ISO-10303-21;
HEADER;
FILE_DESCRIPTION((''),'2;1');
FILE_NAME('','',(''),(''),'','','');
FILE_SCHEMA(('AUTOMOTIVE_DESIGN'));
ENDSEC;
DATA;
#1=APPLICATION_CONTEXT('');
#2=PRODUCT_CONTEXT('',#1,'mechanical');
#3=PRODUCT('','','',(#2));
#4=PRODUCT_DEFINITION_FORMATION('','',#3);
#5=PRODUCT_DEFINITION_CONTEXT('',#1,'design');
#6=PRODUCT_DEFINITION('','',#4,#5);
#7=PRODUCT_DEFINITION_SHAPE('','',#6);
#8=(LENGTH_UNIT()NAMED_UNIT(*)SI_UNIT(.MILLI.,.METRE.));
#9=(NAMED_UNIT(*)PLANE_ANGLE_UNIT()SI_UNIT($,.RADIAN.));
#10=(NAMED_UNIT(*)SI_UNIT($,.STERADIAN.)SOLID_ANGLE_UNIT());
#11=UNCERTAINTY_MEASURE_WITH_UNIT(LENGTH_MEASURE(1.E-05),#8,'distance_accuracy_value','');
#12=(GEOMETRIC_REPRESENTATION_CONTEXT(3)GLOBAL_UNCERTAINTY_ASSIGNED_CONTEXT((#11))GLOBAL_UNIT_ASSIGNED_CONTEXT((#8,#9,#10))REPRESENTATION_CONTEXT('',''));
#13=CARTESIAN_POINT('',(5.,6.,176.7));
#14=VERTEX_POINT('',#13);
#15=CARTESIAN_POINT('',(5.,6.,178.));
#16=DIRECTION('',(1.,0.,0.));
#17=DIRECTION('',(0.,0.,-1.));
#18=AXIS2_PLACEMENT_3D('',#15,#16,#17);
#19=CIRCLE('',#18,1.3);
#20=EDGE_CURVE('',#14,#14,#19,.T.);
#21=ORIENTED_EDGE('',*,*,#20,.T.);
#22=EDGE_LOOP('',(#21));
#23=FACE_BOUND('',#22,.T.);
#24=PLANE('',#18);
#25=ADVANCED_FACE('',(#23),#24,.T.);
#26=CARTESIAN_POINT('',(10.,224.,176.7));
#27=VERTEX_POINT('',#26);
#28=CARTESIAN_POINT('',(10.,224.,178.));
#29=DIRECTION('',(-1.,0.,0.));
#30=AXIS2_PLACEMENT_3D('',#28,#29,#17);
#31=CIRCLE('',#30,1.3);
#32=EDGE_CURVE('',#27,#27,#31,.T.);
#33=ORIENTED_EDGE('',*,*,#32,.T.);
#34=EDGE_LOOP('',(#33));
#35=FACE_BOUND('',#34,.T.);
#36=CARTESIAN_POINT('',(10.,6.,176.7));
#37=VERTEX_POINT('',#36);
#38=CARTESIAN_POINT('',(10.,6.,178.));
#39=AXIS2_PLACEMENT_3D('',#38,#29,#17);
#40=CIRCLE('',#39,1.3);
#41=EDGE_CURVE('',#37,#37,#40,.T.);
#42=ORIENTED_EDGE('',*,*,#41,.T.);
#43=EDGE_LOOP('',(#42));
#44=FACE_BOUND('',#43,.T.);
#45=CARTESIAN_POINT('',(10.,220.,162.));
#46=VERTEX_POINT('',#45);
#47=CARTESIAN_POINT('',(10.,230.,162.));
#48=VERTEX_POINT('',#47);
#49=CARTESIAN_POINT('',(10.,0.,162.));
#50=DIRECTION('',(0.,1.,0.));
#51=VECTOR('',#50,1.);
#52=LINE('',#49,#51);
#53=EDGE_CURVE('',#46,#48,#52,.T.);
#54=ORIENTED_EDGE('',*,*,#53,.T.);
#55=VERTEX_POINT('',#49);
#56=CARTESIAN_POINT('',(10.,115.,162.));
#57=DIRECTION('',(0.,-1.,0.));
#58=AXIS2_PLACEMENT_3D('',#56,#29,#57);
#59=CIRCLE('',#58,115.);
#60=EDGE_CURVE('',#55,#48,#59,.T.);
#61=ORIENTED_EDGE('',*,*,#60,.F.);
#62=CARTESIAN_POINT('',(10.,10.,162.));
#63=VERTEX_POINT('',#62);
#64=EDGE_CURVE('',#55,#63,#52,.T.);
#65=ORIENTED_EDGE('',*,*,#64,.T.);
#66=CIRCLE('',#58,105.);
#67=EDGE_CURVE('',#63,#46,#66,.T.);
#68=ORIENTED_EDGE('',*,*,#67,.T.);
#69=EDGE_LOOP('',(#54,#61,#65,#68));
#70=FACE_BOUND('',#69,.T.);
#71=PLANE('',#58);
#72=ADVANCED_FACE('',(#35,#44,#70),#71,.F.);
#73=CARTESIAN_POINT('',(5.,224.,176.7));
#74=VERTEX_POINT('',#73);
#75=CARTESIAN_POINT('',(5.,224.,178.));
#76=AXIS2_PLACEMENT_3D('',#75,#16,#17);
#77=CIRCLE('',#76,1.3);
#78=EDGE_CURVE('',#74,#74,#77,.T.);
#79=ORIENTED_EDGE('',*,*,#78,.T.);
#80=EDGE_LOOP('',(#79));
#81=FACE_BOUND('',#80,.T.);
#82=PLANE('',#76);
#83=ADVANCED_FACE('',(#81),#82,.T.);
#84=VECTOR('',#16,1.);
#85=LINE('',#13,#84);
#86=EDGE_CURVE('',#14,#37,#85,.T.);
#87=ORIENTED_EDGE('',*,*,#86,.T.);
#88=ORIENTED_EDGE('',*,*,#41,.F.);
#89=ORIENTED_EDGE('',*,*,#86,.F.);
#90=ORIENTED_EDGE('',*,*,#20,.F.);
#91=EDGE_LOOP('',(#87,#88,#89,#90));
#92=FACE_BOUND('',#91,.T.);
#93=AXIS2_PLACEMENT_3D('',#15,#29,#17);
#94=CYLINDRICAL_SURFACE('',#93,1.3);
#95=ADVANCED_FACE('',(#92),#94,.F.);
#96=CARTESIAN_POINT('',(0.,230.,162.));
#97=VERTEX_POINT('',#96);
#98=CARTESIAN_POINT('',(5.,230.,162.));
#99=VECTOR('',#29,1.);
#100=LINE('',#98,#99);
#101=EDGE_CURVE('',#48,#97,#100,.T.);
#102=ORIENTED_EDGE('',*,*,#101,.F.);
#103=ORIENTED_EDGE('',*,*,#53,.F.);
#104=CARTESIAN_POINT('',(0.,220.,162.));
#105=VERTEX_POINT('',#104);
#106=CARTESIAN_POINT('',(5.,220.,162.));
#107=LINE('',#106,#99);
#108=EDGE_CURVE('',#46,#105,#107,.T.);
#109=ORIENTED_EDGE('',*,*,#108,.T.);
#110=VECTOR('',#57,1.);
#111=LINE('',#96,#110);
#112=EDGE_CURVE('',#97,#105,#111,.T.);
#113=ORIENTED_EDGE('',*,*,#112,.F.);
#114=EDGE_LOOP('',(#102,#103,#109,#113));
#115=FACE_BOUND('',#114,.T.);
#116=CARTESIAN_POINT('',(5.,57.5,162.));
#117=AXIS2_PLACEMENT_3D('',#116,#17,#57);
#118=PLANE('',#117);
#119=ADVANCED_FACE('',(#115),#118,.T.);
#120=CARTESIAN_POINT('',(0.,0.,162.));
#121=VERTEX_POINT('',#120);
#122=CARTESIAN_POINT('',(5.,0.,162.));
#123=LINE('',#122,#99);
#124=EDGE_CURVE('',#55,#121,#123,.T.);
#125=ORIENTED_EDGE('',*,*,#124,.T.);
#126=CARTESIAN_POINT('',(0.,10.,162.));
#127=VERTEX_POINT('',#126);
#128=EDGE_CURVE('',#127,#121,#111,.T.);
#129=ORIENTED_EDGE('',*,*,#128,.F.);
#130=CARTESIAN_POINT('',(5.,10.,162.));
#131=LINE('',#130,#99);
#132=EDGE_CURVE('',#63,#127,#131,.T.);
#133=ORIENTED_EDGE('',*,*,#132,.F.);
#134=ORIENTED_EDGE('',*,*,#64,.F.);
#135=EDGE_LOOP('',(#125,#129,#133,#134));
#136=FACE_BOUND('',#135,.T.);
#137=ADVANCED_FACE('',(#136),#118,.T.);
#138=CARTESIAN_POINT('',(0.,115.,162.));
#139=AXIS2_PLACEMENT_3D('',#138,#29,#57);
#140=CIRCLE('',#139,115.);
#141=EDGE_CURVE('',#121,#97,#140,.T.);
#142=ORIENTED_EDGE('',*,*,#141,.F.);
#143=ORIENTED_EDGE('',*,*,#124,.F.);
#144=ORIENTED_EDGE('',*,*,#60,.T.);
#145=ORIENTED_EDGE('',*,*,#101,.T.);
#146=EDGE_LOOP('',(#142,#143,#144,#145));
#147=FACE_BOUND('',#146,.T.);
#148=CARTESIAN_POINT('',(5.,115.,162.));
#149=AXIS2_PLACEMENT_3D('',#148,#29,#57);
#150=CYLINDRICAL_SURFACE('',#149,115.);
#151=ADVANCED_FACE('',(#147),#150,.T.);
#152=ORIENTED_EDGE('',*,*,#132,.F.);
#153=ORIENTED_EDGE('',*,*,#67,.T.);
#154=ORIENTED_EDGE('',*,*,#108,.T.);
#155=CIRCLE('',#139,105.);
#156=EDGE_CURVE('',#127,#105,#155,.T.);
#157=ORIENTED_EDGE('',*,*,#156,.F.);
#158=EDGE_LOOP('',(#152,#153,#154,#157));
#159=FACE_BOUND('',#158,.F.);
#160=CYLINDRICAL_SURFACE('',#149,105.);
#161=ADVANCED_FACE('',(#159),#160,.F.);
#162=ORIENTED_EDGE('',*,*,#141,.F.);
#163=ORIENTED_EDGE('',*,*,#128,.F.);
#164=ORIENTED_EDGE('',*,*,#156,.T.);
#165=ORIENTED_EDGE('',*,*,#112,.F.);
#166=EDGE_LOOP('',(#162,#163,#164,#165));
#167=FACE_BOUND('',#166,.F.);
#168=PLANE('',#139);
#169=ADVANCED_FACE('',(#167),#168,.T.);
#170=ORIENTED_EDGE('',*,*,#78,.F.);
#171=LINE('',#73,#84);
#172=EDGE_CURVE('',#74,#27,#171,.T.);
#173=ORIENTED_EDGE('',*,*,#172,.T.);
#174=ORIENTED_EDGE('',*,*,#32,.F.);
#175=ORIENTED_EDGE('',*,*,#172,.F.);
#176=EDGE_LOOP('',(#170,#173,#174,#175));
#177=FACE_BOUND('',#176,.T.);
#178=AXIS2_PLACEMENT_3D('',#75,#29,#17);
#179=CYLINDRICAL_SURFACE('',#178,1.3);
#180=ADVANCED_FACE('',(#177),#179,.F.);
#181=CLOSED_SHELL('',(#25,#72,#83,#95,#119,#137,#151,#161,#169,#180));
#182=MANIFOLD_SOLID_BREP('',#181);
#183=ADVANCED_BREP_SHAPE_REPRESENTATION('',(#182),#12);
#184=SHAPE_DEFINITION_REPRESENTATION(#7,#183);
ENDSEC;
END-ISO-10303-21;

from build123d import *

# Parameters (mm, degrees)
CYLINDER071_R     = 1.3
CYLINDER071_DEPTH = 331
CYLINDER062_R     = 1.3
CYLINDER062_DEPTH = 331
CYLINDER052_W     = 105
CYLINDER052_H     = 10
CYLINDER052_ANGLE = 180
CYLINDER051_W     = 115
CYLINDER051_H     = 10
CYLINDER051_ANGLE = 180


with BuildPart() as cilindro071:
    # Cylinder071 → Cylinder071 (new body)
    with BuildSketch(Plane(origin=(5, 224, 178), x_dir=(0, 0, -1), z_dir=(1, 0, 0))):
        Circle(CYLINDER071_R)
    extrude(amount=CYLINDER071_DEPTH)


with BuildPart() as cilindro062:
    # Cylinder062 → Cylinder062 (new body)
    with BuildSketch(Plane(origin=(5, 6, 178), x_dir=(0, 0, -1), z_dir=(1, 0, 0))):
        Circle(CYLINDER062_R)
    extrude(amount=CYLINDER062_DEPTH)


with BuildPart() as cilindro052:
    # Cylinder052 → Cylinder052 (revolve)
    with BuildSketch(Plane(origin=(-3, 115, 171), x_dir=(0, -1, 0), z_dir=(0, 0, -1))):
        with Locations((52.5, 5)):
            Rectangle(CYLINDER052_W, CYLINDER052_H)
    revolve(axis=Axis((-3, 115, 171), (-1, 0, 0)), revolution_arc=CYLINDER052_ANGLE)


with BuildPart() as cut080:
    # Cylinder051 → Cylinder051 (revolve)
    with BuildSketch(Plane(origin=(-3, 115, 171), x_dir=(0, -1, 0), z_dir=(0, 0, -1))):
        with Locations((57.5, 5)):
            Rectangle(CYLINDER051_W, CYLINDER051_H)
    revolve(axis=Axis((-3, 115, 171), (-1, 0, 0)), revolution_arc=CYLINDER051_ANGLE)

    # Cut066: cut Cilindro052
    add(cilindro052.part, mode=Mode.SUBTRACT)


with BuildPart() as cut080_1:
    # Cut066 placement: moved
    add(cut080.part.moved(Location((13, 0, -9))))

    # Cut073: cut Cilindro062
    add(cilindro062.part, mode=Mode.SUBTRACT)

    # Cut080: cut Cilindro071
    add(cilindro071.part, mode=Mode.SUBTRACT)


solid = cut080_1.part
